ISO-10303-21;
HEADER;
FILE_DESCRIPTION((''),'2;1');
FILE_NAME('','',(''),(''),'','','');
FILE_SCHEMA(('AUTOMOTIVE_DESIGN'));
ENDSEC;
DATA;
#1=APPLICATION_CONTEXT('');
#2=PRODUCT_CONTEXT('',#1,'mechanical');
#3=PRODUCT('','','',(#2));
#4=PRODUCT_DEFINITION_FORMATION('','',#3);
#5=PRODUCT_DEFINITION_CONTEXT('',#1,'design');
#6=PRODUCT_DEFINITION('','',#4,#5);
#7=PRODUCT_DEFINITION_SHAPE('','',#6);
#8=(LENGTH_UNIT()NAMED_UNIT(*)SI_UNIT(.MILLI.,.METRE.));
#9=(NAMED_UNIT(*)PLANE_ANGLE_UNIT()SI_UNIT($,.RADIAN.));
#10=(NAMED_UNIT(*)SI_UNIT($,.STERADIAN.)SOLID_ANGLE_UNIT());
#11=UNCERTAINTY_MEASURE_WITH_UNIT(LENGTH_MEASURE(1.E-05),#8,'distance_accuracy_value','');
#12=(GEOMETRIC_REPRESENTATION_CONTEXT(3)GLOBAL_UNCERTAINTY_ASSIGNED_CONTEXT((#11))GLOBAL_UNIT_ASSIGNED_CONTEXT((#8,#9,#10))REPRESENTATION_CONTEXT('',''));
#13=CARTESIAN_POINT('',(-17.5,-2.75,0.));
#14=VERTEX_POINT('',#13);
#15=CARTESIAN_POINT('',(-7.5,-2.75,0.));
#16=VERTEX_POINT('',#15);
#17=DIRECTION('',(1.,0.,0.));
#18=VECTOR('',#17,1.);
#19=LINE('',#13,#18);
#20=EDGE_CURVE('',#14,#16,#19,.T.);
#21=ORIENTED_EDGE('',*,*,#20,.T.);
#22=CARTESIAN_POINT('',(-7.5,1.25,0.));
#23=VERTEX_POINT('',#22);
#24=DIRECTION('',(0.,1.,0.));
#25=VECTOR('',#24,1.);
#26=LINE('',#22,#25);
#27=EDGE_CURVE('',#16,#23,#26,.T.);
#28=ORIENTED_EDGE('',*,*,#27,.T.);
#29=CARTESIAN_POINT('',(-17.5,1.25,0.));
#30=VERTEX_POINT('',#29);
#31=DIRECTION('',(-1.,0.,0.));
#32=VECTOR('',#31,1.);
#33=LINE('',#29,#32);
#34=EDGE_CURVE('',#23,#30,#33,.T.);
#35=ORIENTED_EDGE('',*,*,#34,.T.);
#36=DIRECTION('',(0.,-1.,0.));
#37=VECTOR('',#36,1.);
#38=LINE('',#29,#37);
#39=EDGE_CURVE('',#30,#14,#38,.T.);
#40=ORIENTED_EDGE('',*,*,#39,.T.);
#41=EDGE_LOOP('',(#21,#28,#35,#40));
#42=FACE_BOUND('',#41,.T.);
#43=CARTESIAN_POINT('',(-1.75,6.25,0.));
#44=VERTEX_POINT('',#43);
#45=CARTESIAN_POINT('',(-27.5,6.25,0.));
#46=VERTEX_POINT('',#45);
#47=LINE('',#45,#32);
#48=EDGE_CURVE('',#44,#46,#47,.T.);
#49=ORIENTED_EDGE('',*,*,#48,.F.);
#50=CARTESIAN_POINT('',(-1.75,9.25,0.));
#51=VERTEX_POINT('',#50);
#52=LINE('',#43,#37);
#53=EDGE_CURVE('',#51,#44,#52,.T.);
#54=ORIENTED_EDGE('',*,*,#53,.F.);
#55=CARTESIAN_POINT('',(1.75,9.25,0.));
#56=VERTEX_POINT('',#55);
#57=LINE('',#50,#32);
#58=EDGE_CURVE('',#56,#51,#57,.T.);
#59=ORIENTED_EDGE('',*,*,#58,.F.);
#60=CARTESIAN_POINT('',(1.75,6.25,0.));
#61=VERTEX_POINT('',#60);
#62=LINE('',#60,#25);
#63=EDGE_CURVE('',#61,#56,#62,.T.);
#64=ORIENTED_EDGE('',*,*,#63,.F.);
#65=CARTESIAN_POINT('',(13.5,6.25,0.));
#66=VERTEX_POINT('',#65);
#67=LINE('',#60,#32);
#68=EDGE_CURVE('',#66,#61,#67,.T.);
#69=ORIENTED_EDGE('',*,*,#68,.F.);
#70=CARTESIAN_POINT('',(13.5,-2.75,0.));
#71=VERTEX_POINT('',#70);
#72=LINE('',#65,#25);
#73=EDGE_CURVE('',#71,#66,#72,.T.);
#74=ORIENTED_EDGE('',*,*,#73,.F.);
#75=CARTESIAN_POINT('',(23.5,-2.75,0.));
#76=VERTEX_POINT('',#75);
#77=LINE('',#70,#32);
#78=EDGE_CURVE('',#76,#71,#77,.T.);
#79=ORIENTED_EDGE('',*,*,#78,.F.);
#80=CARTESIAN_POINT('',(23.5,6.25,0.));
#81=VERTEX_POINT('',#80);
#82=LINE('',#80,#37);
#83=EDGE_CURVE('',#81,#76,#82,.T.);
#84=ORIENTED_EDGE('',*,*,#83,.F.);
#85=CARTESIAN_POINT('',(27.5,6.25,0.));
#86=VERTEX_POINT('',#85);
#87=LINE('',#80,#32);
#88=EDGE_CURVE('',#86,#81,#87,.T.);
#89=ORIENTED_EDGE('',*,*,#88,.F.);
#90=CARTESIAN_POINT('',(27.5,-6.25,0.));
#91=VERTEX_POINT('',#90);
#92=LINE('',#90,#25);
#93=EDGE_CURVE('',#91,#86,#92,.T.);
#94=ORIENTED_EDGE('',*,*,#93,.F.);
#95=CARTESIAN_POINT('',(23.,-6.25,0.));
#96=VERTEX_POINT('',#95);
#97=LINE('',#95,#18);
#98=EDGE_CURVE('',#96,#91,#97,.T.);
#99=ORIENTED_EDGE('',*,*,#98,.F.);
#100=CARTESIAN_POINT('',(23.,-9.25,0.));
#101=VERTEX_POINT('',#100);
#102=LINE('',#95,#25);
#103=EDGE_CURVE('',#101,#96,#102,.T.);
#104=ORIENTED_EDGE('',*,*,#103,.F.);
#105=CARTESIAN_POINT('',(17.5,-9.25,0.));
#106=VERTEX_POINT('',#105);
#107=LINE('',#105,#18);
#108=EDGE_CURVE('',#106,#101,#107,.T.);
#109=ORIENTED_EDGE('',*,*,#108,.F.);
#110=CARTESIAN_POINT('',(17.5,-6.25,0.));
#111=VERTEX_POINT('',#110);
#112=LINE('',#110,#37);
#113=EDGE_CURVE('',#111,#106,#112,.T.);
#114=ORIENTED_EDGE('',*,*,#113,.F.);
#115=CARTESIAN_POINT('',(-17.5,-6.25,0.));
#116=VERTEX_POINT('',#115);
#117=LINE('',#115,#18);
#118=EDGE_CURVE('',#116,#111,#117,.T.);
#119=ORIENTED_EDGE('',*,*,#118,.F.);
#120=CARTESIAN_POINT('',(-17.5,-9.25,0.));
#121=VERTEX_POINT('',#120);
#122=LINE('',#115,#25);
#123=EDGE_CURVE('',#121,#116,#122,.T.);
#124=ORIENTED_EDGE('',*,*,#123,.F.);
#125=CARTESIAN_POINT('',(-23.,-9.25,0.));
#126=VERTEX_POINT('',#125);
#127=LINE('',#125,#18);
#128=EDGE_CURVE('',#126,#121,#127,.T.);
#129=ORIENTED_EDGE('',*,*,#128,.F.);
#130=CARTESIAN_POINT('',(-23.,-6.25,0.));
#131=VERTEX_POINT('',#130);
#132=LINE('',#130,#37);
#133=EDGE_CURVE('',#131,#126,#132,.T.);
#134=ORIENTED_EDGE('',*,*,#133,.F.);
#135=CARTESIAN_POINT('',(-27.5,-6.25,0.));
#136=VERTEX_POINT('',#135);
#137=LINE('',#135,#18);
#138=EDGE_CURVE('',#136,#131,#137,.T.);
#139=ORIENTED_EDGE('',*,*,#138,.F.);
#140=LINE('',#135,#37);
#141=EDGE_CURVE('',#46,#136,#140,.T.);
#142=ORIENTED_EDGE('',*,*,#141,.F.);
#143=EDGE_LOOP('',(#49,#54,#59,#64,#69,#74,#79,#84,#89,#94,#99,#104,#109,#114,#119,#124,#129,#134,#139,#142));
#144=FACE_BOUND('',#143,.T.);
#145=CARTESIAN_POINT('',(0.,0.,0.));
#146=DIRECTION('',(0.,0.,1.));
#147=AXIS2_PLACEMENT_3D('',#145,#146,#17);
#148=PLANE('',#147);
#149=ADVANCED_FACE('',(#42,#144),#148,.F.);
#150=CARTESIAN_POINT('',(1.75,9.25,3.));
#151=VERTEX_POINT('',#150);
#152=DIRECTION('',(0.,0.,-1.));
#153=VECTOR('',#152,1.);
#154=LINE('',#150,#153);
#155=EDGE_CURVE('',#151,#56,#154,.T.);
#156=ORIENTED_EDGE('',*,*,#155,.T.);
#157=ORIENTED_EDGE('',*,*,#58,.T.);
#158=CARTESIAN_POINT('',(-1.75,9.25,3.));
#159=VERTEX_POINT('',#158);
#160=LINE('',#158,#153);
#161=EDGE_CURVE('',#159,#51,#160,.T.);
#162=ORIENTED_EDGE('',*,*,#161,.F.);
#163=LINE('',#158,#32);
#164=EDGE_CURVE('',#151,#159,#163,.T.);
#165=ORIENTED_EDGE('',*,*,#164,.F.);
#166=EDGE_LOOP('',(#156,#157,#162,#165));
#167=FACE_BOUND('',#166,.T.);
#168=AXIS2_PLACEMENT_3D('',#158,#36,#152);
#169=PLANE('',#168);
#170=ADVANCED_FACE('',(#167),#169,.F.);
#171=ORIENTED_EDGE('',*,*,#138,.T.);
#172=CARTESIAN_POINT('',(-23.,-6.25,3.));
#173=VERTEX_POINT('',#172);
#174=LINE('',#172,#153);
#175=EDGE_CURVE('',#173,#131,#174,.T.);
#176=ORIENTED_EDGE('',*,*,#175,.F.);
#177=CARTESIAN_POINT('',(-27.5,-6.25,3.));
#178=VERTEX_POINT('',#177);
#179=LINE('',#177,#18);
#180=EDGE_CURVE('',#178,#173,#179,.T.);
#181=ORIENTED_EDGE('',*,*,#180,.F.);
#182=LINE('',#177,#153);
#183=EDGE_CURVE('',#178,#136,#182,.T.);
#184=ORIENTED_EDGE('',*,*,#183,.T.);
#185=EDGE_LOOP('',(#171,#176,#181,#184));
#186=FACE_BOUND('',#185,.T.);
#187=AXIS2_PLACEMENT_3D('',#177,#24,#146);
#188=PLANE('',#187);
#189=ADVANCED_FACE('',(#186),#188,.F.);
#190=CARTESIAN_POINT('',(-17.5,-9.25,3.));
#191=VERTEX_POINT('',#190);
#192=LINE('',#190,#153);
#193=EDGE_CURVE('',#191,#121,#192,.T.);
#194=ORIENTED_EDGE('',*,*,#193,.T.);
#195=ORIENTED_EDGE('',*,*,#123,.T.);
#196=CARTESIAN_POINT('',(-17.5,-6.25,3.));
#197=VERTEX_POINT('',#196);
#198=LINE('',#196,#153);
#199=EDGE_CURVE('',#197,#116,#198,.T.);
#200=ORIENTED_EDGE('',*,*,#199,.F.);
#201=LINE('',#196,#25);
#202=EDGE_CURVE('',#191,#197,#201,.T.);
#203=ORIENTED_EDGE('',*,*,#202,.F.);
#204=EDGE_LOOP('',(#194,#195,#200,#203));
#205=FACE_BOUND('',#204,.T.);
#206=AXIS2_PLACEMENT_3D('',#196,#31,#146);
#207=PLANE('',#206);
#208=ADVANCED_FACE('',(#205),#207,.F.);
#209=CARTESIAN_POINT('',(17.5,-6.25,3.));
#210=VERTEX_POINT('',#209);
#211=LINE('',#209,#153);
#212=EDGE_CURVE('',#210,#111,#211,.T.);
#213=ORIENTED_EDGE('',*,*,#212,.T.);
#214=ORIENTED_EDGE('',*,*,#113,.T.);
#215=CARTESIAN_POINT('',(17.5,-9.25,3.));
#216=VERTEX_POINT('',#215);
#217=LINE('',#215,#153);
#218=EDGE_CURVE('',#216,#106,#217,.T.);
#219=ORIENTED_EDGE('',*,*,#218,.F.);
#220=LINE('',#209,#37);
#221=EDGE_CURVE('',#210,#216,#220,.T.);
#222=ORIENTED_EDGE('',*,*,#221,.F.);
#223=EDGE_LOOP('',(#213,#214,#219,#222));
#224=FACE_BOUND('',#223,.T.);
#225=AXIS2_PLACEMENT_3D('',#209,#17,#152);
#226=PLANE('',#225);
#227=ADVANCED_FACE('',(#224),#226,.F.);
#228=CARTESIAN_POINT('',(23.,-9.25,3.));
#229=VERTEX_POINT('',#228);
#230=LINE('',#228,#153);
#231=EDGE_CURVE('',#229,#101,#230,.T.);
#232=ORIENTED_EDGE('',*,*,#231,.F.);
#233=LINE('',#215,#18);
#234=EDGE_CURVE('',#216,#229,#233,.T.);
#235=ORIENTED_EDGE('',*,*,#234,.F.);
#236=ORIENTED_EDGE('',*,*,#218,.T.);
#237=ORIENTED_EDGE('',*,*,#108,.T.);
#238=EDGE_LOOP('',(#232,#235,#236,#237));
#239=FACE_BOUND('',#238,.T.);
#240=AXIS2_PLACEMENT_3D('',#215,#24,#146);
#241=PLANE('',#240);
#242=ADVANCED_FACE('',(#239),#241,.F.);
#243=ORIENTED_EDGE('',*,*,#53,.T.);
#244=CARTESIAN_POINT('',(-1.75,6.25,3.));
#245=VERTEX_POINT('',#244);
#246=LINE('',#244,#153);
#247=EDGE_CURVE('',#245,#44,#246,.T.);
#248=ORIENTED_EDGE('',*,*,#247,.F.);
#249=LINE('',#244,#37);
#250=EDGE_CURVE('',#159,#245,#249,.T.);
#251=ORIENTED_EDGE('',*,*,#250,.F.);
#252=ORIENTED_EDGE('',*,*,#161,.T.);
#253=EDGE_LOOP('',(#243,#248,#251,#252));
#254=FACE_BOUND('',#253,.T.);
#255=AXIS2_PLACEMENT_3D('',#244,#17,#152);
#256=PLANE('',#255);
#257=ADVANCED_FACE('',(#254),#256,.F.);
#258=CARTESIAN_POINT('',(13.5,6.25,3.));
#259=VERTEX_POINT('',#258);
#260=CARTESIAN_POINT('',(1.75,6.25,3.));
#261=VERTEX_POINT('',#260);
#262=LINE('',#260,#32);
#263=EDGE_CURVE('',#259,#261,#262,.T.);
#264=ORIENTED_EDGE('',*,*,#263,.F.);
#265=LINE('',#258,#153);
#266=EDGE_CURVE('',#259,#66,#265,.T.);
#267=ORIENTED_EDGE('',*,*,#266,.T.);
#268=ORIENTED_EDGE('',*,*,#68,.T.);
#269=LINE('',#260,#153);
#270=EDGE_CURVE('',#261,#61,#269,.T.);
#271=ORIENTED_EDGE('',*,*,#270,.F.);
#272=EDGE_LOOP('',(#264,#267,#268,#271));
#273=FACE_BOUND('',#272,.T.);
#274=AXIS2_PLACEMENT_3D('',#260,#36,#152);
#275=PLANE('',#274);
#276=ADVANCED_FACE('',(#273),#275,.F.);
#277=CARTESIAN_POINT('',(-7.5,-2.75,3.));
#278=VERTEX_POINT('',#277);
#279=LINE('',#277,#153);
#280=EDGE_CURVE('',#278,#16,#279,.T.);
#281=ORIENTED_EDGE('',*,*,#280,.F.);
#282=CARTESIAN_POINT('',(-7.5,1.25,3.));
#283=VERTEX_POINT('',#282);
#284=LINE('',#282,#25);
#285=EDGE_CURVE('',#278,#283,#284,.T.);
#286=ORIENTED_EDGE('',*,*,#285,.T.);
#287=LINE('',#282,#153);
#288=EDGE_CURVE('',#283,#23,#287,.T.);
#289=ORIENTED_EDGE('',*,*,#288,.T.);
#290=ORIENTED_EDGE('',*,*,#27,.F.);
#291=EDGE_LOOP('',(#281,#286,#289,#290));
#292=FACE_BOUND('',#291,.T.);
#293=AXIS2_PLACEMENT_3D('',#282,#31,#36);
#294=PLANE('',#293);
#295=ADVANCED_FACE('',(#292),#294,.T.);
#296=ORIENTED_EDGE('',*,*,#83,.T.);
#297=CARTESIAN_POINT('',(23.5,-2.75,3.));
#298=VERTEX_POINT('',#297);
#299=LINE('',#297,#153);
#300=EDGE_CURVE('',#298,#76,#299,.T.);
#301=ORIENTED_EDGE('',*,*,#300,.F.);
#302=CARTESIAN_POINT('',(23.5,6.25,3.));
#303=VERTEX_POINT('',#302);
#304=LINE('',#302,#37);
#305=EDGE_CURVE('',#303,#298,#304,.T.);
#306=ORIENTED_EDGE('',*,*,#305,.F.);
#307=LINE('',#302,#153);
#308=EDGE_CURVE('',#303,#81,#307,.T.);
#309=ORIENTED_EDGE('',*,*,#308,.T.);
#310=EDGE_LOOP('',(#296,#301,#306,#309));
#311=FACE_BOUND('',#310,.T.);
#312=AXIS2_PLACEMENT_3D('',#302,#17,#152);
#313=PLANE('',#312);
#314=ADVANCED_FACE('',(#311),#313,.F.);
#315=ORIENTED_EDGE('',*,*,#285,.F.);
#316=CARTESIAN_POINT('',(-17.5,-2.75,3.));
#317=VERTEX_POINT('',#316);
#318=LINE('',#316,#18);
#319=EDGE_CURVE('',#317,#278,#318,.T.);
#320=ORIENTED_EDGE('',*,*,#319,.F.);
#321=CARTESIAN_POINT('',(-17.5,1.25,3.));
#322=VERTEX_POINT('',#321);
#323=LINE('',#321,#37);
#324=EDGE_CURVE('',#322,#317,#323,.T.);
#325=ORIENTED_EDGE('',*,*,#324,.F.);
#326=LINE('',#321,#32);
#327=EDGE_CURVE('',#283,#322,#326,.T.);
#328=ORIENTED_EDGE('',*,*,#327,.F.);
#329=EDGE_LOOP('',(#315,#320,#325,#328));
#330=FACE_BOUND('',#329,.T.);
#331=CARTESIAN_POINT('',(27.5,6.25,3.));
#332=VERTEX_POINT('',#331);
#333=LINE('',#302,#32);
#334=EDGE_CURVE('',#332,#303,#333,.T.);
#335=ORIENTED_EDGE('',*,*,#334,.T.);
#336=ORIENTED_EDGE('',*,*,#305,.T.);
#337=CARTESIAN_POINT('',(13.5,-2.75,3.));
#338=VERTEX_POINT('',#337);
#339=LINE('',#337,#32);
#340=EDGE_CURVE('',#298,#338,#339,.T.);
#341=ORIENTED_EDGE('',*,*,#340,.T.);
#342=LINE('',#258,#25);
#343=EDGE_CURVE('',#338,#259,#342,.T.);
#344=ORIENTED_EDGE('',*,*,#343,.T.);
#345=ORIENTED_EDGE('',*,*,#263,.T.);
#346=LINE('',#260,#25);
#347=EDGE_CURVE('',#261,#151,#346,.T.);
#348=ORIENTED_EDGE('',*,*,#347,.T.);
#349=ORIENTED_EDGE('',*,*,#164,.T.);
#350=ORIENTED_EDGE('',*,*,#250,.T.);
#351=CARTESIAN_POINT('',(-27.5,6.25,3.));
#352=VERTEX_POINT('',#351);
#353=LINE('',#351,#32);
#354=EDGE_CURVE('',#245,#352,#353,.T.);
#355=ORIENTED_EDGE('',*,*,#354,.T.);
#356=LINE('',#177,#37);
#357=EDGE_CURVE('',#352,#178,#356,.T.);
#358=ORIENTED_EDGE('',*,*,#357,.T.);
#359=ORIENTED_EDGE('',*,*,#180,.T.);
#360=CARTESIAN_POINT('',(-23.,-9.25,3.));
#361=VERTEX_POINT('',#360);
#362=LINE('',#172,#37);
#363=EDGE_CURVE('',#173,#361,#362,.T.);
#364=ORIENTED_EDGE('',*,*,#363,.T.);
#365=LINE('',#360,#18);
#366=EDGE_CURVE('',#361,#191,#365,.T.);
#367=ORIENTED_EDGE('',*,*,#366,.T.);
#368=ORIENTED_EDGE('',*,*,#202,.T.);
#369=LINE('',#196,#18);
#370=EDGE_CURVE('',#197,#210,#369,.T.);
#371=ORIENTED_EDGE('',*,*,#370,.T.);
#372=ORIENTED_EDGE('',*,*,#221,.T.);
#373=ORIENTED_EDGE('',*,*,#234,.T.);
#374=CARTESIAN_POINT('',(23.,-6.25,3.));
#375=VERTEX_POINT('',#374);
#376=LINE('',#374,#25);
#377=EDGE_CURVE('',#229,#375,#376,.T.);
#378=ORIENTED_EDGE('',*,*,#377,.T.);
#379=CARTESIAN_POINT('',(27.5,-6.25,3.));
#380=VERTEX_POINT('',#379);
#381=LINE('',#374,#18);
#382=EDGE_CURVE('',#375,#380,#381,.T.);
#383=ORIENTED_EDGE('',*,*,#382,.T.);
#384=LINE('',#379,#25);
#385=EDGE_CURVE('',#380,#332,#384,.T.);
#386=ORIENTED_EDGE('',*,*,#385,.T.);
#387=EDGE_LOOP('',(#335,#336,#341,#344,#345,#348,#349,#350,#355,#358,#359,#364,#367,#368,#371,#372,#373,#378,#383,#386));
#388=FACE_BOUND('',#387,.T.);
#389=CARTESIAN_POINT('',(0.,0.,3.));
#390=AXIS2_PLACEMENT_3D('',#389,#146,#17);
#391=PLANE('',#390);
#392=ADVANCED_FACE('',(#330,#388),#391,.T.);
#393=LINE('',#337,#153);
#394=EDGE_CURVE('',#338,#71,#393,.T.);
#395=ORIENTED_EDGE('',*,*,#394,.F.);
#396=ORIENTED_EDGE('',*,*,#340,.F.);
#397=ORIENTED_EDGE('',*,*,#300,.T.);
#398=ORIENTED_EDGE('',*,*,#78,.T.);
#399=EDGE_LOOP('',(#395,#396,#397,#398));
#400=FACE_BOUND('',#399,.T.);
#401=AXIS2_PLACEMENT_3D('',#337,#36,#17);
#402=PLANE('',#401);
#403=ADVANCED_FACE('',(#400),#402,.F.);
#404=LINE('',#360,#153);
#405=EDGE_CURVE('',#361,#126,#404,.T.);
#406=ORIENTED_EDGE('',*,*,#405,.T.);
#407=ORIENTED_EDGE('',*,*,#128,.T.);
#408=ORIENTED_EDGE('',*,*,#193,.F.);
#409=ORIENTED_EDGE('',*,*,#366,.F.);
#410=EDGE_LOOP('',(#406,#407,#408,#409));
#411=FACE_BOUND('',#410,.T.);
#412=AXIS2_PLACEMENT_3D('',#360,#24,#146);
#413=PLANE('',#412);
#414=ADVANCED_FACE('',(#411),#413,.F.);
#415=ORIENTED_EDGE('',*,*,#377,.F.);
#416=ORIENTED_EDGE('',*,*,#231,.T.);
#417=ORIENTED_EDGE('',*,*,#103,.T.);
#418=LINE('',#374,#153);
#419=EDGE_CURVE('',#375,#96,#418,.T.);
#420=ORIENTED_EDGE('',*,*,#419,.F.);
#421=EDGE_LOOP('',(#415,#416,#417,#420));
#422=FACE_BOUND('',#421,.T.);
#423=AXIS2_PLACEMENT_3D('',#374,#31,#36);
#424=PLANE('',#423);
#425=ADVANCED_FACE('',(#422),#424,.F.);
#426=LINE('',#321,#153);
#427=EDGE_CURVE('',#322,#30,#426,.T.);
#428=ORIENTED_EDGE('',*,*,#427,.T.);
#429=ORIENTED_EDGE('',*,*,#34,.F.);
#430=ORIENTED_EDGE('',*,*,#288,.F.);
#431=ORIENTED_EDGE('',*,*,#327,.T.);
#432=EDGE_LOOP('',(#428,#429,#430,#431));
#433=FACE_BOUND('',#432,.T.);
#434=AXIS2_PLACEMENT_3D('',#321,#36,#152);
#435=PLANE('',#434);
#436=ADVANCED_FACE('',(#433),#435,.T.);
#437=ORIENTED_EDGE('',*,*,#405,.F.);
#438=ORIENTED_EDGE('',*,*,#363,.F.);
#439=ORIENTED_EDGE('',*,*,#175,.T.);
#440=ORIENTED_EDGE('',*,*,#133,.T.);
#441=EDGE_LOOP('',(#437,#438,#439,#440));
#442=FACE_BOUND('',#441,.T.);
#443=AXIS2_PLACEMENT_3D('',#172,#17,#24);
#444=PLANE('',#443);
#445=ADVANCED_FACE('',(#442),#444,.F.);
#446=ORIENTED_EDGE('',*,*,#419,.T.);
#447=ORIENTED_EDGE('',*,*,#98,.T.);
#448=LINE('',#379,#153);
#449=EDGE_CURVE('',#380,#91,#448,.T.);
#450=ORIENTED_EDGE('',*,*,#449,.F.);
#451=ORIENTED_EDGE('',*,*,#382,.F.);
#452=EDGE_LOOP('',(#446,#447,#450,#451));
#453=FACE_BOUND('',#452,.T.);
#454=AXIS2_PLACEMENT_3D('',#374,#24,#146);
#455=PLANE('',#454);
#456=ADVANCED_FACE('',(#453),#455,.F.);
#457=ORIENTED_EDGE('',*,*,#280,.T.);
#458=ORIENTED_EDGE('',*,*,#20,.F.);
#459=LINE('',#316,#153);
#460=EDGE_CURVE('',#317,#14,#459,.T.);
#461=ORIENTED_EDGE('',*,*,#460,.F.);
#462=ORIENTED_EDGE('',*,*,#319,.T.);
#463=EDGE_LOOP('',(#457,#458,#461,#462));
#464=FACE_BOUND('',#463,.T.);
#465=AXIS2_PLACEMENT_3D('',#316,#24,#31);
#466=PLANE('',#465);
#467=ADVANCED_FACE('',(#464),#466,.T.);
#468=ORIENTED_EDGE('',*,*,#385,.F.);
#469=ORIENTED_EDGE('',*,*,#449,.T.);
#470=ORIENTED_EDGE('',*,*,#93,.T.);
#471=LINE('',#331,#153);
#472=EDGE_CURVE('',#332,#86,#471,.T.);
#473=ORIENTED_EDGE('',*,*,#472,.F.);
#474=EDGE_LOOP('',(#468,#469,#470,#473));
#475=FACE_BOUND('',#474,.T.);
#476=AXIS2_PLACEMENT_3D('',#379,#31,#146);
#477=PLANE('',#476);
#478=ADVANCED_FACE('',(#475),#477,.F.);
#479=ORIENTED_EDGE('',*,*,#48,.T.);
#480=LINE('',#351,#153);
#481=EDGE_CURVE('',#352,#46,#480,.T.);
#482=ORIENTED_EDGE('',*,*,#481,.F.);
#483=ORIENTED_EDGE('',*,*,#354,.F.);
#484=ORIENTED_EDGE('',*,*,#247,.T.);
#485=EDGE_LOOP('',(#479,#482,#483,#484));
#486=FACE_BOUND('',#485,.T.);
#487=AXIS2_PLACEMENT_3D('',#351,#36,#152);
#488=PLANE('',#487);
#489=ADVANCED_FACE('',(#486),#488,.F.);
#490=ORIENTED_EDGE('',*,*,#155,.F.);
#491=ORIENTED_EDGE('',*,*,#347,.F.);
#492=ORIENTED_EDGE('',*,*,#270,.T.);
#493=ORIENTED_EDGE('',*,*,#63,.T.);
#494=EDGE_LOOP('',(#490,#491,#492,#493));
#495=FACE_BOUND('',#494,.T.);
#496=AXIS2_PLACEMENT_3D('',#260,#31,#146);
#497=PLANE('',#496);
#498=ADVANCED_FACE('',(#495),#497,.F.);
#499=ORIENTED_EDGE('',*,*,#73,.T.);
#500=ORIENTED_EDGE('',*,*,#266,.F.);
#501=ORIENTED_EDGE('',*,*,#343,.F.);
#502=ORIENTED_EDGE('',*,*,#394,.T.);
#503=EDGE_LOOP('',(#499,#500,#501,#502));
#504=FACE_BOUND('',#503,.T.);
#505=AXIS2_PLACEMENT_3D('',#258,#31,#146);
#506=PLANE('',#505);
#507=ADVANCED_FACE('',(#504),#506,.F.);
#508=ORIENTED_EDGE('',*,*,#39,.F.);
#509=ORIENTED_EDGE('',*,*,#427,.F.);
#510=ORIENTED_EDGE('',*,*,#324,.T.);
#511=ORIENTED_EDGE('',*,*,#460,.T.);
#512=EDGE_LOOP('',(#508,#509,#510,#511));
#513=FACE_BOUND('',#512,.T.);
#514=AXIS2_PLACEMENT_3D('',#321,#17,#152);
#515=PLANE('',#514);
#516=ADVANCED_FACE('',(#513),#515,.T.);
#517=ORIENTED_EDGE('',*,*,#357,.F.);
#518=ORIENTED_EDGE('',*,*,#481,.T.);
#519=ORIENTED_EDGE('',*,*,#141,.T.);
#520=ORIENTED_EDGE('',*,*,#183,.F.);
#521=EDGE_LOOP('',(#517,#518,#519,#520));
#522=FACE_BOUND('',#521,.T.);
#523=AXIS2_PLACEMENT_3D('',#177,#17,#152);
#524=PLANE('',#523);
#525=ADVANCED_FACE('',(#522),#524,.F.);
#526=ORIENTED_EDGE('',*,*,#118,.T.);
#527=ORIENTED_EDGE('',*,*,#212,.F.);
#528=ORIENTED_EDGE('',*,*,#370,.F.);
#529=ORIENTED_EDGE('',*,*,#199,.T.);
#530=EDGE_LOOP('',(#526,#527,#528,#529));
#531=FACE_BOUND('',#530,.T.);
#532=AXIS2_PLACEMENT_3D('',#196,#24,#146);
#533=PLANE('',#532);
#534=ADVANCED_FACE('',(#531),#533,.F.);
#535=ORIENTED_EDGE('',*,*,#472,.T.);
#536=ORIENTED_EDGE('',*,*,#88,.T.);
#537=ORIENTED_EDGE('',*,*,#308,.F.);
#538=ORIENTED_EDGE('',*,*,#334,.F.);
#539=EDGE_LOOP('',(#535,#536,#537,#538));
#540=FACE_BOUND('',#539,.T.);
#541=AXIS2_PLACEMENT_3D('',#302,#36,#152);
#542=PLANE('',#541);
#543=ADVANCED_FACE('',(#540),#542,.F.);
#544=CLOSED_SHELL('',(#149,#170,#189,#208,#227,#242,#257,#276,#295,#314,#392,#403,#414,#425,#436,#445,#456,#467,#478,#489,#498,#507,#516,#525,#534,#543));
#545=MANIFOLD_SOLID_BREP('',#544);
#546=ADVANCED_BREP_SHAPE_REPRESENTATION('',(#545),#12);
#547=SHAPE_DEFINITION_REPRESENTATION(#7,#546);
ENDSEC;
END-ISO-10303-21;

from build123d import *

# Parameters (mm, degrees)
CROQUIS1_W              = 10
CROQUIS1_H              = 4
SALIENTE_EXTRUIR2_DEPTH = 3


with BuildPart() as part:
    # Croquis1 → Saliente-Extruir2 (new body)
    with BuildSketch(Plane.XY):
        Polygon((-17.5, -6.25), (17.5, -6.25), (17.5, -9.25), (23, -9.25), (23, -6.25), (27.5, -6.25), (27.5, 6.25), (23.5, 6.25), (23.5, -2.75), (13.5, -2.75), (13.5, 6.25), (1.75, 6.25), (1.75, 9.25), (-1.75, 9.25), (-1.75, 6.25), (-27.5, 6.25), (-27.5, -6.25), (-23, -6.25), (-23, -9.25), (-17.5, -9.25), align=None)
        with Locations((-12.5, -0.75)):
            Rectangle(CROQUIS1_W, CROQUIS1_H, mode=Mode.SUBTRACT)
    extrude(amount=SALIENTE_EXTRUIR2_DEPTH)


solid = part.part
